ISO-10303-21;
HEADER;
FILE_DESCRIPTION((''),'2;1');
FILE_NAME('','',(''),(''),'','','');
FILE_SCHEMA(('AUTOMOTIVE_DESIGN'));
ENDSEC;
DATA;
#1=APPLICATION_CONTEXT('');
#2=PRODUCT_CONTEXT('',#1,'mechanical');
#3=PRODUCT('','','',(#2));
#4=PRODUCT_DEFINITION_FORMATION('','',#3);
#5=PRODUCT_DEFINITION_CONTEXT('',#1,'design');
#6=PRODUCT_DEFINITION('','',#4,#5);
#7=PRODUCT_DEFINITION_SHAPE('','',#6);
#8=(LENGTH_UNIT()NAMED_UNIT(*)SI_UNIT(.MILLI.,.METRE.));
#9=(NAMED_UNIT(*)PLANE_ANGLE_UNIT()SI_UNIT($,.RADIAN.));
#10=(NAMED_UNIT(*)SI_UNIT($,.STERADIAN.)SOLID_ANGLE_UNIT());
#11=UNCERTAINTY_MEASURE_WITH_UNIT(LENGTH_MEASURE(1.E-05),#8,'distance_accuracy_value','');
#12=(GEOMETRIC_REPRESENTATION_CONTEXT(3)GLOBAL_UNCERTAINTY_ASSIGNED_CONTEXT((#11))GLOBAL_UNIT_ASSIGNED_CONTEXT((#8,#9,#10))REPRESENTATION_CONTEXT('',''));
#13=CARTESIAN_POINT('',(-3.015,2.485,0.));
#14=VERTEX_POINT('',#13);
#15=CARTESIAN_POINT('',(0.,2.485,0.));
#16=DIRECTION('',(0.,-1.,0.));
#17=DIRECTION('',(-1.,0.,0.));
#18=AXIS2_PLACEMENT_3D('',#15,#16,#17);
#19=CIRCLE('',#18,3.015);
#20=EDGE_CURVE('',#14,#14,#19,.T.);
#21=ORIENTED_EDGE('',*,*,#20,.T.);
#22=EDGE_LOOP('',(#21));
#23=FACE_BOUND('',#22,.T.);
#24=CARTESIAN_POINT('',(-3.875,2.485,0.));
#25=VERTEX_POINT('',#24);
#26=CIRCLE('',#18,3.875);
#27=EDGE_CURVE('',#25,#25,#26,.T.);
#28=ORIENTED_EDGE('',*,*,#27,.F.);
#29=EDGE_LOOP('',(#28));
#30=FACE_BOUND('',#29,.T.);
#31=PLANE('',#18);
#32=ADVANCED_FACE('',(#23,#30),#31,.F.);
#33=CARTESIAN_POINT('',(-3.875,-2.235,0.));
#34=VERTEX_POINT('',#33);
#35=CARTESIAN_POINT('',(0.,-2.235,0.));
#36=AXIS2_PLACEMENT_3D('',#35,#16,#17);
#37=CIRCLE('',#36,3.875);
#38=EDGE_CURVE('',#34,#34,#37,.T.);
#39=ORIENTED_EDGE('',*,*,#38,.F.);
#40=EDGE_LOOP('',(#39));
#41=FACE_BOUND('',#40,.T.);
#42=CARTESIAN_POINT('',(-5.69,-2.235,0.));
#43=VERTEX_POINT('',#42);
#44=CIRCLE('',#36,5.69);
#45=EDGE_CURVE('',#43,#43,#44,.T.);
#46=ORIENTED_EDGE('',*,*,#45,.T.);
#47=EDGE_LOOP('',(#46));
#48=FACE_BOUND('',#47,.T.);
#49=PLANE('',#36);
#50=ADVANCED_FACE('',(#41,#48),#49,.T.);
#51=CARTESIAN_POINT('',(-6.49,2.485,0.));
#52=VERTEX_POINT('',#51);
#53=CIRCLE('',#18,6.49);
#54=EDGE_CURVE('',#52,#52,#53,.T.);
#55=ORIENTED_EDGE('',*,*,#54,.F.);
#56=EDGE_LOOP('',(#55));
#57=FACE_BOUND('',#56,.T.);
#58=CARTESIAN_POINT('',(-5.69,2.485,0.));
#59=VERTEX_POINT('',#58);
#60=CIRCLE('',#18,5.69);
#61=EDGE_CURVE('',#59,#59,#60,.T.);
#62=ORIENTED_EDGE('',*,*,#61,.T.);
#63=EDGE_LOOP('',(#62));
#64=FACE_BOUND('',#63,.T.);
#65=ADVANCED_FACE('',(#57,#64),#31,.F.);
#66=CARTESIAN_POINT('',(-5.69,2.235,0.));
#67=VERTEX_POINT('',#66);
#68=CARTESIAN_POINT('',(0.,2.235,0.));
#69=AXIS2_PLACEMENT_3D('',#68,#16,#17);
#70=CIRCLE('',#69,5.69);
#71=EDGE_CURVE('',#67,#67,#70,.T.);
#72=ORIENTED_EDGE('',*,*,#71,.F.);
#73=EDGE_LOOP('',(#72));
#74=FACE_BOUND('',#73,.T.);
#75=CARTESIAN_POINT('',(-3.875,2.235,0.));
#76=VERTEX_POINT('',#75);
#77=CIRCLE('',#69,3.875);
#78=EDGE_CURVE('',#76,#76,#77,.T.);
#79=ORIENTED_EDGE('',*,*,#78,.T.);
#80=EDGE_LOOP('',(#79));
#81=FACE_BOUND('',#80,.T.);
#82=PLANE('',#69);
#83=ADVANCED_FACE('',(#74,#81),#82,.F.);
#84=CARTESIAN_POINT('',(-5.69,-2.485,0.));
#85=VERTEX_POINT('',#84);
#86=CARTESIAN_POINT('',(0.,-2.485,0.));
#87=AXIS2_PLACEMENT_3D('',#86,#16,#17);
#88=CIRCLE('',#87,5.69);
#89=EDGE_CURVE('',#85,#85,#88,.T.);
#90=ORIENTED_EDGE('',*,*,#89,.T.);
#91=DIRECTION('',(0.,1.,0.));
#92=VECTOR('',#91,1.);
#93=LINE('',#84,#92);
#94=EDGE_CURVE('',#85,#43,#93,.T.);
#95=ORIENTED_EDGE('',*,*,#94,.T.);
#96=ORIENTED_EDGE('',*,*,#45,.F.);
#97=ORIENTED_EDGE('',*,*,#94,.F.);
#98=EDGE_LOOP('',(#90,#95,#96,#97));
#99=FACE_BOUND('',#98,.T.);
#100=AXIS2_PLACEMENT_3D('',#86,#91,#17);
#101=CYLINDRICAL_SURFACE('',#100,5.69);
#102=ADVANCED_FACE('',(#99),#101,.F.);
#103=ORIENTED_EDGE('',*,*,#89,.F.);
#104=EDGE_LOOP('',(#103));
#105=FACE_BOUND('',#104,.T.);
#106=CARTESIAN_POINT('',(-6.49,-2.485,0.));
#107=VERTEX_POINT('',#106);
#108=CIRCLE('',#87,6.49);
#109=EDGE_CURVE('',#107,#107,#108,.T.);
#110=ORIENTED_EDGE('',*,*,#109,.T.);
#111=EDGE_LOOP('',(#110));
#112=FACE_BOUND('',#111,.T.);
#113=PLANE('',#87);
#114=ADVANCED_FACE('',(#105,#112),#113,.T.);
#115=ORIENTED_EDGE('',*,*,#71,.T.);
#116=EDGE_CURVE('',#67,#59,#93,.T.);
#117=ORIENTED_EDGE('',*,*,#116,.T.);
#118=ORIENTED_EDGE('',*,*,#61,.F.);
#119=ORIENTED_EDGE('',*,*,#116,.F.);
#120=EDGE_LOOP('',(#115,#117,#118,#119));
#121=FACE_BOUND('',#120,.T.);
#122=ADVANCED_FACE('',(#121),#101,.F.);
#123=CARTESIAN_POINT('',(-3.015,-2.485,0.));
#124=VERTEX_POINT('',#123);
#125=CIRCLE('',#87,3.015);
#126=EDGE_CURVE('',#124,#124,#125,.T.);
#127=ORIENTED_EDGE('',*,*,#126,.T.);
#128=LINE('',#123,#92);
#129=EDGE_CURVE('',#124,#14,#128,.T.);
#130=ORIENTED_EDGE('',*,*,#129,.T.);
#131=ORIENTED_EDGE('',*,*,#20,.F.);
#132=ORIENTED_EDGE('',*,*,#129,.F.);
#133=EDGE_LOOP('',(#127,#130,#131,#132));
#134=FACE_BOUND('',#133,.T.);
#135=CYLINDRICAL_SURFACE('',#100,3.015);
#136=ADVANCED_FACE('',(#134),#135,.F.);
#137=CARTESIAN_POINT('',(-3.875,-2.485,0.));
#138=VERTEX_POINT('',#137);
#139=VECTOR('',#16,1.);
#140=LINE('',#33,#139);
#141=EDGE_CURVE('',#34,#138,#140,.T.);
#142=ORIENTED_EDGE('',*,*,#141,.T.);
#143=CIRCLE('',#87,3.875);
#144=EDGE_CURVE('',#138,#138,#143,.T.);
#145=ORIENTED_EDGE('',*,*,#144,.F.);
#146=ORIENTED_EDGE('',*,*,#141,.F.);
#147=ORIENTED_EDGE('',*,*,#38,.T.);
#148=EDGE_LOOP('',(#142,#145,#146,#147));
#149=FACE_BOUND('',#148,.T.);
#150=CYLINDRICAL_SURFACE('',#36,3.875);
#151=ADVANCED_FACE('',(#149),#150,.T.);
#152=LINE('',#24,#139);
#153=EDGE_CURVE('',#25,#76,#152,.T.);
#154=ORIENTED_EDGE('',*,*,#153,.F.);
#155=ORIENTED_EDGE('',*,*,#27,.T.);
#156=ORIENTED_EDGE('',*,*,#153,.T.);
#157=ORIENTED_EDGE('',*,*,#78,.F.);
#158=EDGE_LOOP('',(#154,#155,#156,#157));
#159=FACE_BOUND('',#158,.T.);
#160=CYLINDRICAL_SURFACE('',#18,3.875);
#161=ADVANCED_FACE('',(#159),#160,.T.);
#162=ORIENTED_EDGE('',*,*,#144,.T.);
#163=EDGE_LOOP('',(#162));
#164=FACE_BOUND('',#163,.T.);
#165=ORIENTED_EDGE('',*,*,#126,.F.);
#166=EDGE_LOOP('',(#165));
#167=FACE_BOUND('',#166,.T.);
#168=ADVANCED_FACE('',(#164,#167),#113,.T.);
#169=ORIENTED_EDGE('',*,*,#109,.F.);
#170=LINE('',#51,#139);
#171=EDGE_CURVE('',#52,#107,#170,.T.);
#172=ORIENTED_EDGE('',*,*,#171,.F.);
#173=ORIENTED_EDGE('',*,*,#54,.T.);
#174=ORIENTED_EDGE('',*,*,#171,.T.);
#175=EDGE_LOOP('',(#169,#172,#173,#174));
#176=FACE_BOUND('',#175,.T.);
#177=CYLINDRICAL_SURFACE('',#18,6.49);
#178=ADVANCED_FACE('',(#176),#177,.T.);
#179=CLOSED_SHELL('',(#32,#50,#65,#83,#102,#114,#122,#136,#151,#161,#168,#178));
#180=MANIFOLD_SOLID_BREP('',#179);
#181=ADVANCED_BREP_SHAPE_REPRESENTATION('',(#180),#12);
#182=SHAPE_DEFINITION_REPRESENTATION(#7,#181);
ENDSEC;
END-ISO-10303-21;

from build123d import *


with BuildPart() as f1:
    # F0 (on Top) → F1 (revolve)
    with BuildSketch(Plane.XY):
        Polygon((-6.49, 2.485), (-6.49, 0), (-6.49, -2.485), (-5.69, -2.485), (-5.69, -2.235), (-5.69, 0), (-5.69, 2.235), (-5.69, 2.485), align=None)
        Polygon((-3.875, 2.235), (-5.69, 2.235), (-5.69, 0), (-5.69, -2.235), (-3.875, -2.235), (-3.875, 0), align=None)
        Polygon((-3.875, 2.485), (-3.875, 2.235), (-3.875, 0), (-3.875, -2.235), (-3.875, -2.485), (-3.015, -2.485), (-3.015, 0), (-3.015, 2.485), align=None)
    revolve(axis=Axis((0, 2.798411, 0), (0, -1, 0)))


solid = f1.part
